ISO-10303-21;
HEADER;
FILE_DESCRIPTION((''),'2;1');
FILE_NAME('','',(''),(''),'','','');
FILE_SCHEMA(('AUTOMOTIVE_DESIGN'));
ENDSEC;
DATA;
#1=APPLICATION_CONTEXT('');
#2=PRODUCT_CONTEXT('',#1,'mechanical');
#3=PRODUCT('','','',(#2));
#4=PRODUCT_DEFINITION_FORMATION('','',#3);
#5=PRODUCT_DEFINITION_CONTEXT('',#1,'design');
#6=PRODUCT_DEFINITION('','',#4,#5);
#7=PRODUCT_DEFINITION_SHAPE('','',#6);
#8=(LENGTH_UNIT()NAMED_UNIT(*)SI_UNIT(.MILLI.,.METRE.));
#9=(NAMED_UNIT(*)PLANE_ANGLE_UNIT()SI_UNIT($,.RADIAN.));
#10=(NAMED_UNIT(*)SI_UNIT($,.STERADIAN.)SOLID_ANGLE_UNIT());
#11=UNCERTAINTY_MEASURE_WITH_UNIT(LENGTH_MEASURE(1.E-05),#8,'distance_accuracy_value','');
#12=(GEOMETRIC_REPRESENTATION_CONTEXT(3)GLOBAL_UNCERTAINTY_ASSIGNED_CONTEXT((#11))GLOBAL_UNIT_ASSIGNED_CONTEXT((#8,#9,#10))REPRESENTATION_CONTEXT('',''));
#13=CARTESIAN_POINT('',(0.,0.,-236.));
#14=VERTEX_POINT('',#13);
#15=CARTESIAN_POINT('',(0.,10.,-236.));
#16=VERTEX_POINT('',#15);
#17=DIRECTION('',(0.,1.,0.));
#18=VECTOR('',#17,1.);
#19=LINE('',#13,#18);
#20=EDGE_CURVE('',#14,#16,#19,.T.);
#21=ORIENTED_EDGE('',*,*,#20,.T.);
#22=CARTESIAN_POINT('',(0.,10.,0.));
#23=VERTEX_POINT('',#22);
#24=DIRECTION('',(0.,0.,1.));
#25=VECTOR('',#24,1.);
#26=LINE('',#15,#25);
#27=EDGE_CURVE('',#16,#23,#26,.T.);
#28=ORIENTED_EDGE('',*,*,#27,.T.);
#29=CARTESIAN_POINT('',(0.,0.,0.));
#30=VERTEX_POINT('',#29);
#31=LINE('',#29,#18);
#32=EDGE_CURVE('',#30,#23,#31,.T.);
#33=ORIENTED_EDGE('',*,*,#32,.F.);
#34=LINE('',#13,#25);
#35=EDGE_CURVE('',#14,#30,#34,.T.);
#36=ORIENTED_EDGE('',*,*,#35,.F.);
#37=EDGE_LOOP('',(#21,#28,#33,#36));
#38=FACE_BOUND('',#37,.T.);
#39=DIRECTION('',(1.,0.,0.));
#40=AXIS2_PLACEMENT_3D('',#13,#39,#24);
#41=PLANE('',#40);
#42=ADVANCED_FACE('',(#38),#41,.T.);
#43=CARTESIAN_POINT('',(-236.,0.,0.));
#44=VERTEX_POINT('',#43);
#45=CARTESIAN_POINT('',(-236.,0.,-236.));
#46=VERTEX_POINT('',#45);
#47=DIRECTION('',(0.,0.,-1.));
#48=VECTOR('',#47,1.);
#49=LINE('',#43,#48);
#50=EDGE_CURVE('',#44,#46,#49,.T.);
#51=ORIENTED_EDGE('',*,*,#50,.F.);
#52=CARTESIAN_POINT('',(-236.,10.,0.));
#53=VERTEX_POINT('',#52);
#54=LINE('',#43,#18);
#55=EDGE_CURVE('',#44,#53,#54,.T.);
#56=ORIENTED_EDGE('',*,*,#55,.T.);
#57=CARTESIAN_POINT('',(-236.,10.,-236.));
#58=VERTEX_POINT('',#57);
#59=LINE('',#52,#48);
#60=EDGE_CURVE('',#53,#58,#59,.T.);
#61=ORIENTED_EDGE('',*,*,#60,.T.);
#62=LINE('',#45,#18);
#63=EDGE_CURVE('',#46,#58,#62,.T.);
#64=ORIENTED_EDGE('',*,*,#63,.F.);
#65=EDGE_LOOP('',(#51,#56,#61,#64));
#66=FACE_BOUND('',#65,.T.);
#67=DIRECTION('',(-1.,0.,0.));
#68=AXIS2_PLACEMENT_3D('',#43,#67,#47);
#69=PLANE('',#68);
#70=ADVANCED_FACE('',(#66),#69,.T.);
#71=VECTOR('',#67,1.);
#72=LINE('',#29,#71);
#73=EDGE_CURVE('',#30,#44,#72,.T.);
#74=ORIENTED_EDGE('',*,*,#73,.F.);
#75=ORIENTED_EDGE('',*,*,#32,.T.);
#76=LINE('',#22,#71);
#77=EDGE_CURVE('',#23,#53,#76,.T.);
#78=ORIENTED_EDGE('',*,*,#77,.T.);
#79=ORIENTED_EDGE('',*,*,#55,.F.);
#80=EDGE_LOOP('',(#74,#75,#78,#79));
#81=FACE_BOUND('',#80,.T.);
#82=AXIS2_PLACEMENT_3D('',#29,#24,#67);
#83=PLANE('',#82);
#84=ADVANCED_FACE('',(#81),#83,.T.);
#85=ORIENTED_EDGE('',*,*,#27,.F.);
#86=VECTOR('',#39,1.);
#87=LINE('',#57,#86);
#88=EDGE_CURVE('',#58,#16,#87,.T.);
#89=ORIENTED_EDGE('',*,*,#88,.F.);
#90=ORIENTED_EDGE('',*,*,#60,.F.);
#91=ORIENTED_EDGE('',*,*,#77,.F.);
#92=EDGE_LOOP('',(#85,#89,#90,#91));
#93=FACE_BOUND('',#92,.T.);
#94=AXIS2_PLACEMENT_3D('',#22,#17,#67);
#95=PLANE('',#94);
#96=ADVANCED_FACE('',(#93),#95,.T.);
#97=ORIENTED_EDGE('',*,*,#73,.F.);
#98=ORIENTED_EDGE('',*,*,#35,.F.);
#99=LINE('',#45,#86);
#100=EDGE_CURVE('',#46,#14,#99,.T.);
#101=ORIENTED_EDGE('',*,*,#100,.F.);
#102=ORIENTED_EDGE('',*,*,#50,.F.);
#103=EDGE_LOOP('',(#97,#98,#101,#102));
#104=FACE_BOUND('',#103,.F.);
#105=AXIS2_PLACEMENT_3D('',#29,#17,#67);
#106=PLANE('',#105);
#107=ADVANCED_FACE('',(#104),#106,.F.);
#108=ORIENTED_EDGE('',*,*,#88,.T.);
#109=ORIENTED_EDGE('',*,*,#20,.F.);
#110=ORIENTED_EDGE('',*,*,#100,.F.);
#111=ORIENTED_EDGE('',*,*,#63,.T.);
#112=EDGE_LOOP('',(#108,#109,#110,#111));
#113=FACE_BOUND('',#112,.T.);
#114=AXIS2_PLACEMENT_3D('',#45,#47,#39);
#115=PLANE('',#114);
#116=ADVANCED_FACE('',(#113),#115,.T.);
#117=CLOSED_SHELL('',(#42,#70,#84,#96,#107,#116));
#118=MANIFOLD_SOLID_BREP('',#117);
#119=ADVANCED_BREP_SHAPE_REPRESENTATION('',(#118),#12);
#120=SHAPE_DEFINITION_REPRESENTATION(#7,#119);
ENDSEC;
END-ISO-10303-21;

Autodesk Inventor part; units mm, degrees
ref_plane "YZ Plane" through (0, 0, 0) normal (1, 0, 0) x (0, 1, 0)
ref_plane "XZ Plane" through (0, 0, 0) normal (0, 1, 0) x (-1, 0, 0)
ref_plane "XY Plane" through (0, 0, 0) normal (0, 0, 1) x (1, 0, 0)
sketch "Sketch1" plane through (0, 0, 0) normal (0, 1, 0) x (-1, 0, 0)
  line L0 (0, 0) -> (236, 0)
  line L1 (236, 0) -> (236, -236)
  line L2 (236, -236) -> (0, -236)
  line L3 (0, -236) -> (0, 0)
  dimension "d0" = 236
  dimension "d1" = 236
extrude "Extrusion1" add sketch "Sketch1" along normal blind 10
properties part number "plate_wood_stabilizer" material "Wood (Cherry)"
